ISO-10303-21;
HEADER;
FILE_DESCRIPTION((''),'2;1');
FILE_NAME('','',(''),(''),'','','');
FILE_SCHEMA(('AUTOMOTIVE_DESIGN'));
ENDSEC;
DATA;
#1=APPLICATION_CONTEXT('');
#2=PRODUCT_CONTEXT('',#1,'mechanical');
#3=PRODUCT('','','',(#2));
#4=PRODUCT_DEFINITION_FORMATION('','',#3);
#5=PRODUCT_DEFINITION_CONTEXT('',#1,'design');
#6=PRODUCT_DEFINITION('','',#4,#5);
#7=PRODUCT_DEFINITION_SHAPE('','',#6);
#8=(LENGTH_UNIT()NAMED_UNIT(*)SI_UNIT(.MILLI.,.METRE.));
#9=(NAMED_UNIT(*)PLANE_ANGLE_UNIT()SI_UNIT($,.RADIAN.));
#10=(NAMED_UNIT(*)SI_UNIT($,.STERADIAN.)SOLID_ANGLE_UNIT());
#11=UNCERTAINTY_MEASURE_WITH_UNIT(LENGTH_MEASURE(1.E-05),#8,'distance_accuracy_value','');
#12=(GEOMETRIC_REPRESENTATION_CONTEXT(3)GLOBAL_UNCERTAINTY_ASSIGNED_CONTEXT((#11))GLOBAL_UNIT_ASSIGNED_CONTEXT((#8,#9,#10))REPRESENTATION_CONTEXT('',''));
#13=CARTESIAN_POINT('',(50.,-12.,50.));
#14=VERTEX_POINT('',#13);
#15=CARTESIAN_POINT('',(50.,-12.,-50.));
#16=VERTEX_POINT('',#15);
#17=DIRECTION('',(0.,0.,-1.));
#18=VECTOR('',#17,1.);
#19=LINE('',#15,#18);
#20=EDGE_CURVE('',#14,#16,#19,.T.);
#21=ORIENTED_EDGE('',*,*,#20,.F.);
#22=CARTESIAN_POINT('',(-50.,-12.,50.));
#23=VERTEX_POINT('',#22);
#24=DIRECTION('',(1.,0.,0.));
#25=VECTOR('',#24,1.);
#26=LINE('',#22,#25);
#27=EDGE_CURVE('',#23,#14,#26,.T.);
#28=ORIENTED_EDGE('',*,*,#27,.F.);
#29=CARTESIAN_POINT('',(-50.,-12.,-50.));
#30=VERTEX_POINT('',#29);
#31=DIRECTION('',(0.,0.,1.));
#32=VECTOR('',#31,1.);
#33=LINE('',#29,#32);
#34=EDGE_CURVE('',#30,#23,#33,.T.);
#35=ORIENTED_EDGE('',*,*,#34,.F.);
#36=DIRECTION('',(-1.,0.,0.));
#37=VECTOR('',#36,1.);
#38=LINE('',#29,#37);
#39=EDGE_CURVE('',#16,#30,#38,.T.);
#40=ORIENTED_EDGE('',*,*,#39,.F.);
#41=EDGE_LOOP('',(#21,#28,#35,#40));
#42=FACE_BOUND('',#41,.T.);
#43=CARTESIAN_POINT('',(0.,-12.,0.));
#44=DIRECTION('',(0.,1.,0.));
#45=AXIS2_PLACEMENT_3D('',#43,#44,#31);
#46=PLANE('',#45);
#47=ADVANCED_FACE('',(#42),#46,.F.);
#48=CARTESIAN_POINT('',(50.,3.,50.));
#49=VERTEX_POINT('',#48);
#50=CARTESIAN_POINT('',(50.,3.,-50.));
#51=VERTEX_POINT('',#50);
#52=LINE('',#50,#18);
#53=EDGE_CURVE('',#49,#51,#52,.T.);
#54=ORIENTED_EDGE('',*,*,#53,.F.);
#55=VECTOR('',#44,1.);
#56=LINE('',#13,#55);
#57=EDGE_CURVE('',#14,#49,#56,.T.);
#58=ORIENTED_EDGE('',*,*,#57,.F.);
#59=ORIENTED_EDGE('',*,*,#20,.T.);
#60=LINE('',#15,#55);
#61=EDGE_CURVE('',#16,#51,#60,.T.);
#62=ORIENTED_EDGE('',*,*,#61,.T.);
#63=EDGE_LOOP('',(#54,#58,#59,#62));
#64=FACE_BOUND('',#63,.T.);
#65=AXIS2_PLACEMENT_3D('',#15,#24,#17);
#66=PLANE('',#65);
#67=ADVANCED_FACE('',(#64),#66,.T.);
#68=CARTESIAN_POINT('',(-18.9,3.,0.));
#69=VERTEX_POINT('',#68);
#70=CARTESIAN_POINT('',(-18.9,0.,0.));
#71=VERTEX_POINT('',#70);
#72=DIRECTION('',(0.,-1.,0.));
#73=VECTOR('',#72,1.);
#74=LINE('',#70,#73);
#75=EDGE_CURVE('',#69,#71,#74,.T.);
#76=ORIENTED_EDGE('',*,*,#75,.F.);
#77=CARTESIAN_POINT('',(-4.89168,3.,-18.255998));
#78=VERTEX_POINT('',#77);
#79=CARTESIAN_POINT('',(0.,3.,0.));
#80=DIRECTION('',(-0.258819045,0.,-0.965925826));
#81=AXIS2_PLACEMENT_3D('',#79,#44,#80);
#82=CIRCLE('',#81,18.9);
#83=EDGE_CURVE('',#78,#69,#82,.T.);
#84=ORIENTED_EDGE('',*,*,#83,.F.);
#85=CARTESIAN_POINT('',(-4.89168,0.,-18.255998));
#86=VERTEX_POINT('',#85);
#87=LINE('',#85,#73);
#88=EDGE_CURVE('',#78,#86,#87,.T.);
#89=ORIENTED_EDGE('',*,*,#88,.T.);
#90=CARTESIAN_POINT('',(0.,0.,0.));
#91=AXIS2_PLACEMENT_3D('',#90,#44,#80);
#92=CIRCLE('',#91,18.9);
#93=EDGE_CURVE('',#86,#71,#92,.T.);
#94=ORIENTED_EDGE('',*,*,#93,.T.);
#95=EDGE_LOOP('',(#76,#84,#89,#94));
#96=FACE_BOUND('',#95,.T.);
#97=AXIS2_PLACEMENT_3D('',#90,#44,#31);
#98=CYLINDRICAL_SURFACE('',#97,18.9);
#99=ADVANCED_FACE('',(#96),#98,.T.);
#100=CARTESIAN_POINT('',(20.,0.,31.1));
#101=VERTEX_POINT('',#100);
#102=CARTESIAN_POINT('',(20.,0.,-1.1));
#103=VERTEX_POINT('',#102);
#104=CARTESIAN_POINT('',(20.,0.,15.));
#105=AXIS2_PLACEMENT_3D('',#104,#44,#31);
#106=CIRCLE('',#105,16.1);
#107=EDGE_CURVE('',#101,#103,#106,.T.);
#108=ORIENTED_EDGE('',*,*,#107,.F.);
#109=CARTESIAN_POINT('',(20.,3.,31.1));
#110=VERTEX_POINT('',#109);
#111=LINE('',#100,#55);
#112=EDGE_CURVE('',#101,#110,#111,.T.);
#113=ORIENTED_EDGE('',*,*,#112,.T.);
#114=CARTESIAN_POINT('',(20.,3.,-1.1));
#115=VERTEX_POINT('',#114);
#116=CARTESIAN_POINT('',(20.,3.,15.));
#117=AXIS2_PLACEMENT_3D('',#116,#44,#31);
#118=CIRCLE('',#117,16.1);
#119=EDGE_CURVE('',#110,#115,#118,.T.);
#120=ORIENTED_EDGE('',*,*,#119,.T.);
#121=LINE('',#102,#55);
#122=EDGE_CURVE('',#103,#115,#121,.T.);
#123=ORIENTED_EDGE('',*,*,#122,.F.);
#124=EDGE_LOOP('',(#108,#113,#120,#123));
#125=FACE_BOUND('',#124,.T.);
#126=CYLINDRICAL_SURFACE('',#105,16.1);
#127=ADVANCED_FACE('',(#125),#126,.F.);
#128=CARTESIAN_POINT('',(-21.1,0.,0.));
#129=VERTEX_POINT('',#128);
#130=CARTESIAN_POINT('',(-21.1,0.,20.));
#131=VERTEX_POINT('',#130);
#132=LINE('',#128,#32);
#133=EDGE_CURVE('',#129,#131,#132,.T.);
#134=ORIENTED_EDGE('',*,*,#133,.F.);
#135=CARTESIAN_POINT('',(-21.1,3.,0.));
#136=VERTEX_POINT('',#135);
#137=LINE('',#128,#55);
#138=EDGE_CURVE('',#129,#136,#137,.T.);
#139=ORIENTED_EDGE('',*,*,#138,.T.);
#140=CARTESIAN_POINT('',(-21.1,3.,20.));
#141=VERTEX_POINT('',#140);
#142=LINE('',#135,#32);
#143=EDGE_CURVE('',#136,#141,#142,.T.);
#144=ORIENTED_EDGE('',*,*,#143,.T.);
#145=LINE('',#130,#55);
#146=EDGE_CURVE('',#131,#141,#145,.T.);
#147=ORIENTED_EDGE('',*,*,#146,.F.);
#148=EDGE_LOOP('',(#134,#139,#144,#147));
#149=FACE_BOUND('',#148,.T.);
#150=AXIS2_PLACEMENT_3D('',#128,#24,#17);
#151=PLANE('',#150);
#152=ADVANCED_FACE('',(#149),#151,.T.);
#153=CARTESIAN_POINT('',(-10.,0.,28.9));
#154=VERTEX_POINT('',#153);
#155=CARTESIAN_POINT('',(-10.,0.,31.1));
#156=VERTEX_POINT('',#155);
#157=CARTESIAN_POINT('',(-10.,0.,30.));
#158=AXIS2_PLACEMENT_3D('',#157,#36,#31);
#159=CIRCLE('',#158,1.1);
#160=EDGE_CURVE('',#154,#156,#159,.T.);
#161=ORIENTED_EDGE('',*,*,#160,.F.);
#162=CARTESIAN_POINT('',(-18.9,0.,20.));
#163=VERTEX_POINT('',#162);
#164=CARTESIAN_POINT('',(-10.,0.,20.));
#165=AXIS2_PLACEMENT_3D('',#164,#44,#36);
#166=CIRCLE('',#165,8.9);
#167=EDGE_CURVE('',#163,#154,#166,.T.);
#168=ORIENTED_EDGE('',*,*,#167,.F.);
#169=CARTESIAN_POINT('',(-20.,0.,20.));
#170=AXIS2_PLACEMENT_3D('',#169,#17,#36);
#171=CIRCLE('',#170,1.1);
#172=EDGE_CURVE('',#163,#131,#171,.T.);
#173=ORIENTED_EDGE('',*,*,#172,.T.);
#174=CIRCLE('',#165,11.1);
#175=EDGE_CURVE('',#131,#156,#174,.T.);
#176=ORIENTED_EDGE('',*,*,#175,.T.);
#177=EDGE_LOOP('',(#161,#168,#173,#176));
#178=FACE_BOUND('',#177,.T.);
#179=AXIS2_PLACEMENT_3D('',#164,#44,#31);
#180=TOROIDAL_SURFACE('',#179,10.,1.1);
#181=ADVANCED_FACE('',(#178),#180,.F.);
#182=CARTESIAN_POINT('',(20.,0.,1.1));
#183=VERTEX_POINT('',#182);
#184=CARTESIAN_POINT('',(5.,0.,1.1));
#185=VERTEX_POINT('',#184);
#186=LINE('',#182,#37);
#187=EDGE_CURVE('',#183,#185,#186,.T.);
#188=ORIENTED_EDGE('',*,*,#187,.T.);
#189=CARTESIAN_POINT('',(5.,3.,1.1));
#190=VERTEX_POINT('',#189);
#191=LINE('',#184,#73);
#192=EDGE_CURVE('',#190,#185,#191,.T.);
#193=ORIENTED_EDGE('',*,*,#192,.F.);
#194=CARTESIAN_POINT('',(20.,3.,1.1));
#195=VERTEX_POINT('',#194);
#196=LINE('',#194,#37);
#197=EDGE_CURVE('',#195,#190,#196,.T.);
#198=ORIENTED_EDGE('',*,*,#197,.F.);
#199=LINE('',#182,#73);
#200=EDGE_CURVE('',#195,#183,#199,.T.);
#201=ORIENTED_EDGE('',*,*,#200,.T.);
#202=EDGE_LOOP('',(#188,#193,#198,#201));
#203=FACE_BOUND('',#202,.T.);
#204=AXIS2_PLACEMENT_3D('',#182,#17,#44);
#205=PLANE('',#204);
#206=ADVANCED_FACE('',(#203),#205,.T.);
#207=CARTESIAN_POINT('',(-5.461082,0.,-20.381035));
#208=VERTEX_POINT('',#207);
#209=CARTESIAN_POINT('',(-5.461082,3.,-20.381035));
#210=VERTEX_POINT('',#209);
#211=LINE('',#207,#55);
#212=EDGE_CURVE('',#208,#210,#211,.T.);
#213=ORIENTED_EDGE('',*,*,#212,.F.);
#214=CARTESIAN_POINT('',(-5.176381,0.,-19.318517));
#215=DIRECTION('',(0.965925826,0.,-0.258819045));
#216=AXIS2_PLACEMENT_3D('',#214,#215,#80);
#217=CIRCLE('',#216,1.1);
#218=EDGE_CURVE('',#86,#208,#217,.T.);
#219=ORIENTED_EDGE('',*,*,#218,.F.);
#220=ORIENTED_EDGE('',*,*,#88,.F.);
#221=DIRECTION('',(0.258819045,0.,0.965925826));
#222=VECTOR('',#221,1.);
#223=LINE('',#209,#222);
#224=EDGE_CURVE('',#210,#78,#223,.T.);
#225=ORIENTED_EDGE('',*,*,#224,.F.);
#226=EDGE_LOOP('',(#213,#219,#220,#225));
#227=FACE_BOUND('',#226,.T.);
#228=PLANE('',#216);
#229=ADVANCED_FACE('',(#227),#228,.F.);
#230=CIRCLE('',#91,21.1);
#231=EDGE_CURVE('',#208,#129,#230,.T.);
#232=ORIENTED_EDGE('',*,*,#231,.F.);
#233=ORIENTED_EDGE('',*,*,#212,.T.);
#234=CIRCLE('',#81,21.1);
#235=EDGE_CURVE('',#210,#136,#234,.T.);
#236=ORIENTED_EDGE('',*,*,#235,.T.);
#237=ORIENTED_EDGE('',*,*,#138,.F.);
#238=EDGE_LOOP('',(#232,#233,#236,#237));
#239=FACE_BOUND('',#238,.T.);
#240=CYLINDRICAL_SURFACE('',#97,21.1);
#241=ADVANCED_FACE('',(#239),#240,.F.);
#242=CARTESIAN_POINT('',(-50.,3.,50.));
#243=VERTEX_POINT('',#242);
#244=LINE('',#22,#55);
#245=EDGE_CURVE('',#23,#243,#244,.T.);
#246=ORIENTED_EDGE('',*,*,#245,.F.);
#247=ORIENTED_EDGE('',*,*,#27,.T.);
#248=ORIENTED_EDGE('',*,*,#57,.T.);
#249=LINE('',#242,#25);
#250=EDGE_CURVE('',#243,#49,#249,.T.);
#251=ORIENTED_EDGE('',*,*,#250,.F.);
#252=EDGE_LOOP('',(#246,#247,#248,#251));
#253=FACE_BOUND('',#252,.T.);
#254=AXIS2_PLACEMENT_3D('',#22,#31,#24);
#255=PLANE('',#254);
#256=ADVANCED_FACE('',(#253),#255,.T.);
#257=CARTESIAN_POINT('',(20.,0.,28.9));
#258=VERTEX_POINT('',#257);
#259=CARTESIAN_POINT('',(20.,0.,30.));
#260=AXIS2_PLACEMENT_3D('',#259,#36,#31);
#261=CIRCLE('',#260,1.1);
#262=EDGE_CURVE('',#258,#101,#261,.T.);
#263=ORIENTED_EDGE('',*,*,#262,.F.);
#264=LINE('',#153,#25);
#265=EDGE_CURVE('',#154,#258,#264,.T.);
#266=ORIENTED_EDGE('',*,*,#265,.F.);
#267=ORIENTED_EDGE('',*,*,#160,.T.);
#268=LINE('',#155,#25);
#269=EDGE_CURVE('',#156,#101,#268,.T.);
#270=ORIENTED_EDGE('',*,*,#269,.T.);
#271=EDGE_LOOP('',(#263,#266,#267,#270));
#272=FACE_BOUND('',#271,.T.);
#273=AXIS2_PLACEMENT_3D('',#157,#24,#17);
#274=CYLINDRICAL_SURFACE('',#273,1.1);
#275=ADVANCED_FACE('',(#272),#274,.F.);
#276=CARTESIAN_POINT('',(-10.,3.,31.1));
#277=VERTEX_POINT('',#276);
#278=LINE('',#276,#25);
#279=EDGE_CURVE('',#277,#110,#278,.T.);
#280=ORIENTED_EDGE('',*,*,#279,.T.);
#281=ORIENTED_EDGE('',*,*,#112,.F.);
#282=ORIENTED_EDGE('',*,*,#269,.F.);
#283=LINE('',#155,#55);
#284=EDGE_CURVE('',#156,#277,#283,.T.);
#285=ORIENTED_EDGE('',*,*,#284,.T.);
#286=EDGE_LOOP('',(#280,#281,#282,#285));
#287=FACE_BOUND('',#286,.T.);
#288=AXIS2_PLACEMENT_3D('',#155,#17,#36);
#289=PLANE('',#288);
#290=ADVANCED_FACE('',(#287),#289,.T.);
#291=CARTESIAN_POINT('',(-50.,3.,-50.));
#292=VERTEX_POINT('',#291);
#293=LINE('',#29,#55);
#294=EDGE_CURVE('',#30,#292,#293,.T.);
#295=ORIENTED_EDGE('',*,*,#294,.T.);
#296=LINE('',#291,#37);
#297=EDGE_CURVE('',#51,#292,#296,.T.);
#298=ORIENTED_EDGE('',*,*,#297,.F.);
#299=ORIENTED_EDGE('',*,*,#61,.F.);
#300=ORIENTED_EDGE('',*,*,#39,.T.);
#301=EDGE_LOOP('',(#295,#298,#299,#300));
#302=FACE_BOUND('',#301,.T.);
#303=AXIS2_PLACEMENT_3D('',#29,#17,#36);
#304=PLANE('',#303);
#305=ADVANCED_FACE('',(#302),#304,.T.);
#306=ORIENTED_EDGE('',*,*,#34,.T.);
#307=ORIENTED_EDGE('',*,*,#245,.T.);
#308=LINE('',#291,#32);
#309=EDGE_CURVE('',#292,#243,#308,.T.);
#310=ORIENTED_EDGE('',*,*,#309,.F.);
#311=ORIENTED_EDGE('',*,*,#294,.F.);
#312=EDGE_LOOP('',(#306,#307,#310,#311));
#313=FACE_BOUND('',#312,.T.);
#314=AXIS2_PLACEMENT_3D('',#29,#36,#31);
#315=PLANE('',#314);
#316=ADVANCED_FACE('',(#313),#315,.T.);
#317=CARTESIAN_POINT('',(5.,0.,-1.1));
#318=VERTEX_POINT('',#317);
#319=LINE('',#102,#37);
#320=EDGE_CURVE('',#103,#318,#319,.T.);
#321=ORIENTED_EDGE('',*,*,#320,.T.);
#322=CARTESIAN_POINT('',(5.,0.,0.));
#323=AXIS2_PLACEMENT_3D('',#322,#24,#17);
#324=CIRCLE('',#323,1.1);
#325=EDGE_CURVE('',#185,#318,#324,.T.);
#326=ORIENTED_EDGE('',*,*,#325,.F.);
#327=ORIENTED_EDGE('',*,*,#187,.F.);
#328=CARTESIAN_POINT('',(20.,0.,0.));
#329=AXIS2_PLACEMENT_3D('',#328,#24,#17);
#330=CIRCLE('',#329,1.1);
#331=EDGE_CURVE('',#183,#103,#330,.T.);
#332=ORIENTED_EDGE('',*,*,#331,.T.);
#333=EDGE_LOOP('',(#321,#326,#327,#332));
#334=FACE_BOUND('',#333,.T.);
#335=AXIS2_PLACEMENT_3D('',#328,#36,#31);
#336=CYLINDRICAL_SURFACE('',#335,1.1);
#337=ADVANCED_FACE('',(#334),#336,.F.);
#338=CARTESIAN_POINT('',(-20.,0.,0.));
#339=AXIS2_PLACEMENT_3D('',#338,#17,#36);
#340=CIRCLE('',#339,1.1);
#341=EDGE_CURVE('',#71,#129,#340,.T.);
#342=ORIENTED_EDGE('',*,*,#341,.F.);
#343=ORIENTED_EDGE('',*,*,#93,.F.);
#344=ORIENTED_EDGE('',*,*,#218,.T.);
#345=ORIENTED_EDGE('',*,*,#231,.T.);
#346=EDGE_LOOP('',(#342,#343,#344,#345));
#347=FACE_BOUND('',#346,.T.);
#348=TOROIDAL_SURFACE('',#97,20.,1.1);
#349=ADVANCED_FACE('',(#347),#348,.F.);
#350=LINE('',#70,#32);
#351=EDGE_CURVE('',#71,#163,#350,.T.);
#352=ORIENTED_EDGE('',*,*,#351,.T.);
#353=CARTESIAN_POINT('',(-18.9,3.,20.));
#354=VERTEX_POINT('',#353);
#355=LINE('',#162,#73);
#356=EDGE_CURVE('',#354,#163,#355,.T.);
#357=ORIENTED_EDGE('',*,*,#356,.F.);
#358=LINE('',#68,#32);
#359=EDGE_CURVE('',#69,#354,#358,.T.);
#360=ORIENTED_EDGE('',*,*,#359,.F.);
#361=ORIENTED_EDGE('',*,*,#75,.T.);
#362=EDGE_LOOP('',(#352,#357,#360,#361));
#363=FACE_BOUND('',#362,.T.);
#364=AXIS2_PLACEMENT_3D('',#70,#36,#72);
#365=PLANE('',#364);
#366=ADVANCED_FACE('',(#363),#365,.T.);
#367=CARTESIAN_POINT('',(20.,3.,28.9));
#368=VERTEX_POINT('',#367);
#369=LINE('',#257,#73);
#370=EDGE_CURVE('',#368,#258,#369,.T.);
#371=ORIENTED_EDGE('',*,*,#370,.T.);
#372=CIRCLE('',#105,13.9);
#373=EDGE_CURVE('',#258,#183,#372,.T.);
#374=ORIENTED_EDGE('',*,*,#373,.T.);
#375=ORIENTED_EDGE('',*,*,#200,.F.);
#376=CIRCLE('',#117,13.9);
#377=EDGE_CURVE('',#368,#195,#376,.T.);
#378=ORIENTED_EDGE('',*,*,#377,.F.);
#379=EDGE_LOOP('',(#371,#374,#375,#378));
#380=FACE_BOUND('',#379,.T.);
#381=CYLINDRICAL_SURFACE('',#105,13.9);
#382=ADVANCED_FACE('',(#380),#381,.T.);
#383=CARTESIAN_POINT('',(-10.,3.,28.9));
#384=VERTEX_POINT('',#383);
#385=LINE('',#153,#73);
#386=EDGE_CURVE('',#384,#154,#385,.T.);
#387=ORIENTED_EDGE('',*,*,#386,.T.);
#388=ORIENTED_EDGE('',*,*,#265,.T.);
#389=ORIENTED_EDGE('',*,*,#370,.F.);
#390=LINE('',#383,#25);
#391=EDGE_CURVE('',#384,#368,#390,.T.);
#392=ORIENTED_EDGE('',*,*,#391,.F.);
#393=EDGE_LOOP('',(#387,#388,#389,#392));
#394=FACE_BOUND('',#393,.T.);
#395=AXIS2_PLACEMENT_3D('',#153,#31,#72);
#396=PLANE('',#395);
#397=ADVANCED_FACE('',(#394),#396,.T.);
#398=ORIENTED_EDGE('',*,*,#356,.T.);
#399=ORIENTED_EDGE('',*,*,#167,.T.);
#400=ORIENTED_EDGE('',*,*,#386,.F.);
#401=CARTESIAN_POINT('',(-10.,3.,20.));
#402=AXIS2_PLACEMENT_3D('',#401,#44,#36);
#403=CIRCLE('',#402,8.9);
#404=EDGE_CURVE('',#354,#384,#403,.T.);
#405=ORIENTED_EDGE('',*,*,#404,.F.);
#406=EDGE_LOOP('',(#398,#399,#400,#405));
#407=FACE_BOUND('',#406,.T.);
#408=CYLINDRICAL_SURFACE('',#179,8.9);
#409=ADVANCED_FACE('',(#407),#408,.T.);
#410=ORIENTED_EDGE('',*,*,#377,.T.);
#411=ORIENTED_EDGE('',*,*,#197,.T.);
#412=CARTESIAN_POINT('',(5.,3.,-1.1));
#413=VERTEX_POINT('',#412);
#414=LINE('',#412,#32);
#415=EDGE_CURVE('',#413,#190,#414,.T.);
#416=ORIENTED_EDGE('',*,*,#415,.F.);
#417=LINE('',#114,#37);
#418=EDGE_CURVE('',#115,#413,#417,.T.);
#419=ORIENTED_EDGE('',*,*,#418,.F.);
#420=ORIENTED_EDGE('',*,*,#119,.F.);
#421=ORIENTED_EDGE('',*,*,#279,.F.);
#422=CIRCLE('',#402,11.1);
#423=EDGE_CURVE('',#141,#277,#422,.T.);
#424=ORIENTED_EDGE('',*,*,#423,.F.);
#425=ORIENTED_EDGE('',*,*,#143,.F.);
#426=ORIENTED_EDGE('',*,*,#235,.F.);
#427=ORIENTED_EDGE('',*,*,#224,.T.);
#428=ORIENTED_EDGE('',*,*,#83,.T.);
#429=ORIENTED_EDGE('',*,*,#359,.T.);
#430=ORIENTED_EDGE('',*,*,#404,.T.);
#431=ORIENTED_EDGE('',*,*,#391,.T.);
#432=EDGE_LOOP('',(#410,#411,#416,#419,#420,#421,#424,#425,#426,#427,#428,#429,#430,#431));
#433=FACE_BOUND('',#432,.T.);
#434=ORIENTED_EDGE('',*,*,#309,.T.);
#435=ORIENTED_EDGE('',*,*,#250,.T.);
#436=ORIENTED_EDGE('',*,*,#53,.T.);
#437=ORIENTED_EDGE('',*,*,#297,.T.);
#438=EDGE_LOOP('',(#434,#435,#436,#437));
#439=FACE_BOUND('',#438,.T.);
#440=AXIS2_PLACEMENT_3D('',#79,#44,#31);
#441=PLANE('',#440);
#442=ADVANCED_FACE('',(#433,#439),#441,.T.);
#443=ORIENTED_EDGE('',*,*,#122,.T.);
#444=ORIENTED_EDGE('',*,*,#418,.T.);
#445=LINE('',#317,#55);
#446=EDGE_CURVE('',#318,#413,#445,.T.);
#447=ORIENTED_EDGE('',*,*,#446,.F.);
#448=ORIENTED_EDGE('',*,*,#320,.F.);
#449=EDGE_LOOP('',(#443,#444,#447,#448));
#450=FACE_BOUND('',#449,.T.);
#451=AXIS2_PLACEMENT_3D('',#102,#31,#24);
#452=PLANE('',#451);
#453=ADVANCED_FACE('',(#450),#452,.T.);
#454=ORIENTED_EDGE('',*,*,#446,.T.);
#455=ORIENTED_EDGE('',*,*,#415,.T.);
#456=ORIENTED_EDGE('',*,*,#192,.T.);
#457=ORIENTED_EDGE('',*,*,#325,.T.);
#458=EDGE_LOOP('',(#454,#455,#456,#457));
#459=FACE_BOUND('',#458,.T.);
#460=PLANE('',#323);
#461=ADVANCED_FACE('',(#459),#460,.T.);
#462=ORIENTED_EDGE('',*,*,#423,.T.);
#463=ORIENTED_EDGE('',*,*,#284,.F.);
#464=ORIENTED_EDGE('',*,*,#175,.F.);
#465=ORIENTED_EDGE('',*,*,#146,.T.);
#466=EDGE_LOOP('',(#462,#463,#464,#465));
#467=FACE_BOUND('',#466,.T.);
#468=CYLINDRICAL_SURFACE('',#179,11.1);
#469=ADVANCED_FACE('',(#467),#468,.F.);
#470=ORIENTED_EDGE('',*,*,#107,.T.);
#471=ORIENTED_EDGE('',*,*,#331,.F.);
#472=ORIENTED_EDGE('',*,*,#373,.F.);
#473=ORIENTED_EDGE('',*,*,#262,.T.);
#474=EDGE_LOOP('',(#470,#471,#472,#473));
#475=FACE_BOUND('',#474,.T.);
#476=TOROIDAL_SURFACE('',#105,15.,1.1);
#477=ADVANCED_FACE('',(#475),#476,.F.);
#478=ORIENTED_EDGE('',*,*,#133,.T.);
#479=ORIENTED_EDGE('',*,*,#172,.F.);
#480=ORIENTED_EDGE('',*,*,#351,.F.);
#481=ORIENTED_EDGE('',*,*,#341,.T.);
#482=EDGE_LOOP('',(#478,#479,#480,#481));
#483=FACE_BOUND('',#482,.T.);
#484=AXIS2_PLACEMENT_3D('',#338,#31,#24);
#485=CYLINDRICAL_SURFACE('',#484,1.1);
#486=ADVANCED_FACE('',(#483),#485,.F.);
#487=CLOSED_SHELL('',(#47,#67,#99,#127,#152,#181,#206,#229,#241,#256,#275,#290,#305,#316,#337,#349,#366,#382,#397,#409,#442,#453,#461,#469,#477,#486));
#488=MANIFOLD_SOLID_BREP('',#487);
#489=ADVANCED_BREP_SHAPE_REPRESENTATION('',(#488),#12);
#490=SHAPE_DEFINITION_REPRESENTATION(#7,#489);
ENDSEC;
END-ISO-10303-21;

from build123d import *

# Parameters (mm, degrees)
AUFSATZ_LINEAR_START            = 3
SKIZZE4_W                       = 100
SKIZZE4_H                       = 100
AUFSATZ_LINEAR_AUSTRAGEN1_DEPTH = 15


with BuildPart() as part:
    # Skizze4 → Aufsatz-Linear austragen1 (new body)
    with BuildSketch(Plane(origin=(0, 0, 0), x_dir=(1, 0, 0), z_dir=(0, 1, 0)).offset(AUFSATZ_LINEAR_START)):
        Rectangle(SKIZZE4_W, SKIZZE4_H)
    extrude(amount=-AUFSATZ_LINEAR_AUSTRAGEN1_DEPTH)

    # Schnitt-Austragung1: sweep along a path in Skizze1_2
    with BuildLine(Plane(origin=(0, 0, 0), x_dir=(1, 0, 0), z_dir=(0, 1, 0))) as schnitt_austragung1_path:
        Line((5, 0), (20, 0))
        ThreePointArc((20, 0), (35, -15), (20, -30))
        Line((20, -30), (-10, -30))
        ThreePointArc((-10, -30), (-17.071067812, -27.071067812), (-20, -20))
        Line((-20, -20), (-20, 0))
        ThreePointArc((-20, 0), (-15.867066806, 12.17522858), (-5.176380902, 19.318516526))
    # Skizze5 → Schnitt-Austragung1 (sweep, cut)
    with BuildSketch(Plane(origin=(0, 0, 0), x_dir=(-0.258819045, 0, -0.965925826), z_dir=(0.965925826, 0, -0.258819045))):
        with BuildLine():
            Line((21.1, 0), (21.1, 3))
            Line((21.1, 3), (18.9, 3))
            Line((18.9, 3), (18.9, 0))
            ThreePointArc((18.9, 0), (20, -1.1), (21.1, 0))
        make_face()
    sweep(path=schnitt_austragung1_path.line, mode=Mode.SUBTRACT)


solid = part.part
